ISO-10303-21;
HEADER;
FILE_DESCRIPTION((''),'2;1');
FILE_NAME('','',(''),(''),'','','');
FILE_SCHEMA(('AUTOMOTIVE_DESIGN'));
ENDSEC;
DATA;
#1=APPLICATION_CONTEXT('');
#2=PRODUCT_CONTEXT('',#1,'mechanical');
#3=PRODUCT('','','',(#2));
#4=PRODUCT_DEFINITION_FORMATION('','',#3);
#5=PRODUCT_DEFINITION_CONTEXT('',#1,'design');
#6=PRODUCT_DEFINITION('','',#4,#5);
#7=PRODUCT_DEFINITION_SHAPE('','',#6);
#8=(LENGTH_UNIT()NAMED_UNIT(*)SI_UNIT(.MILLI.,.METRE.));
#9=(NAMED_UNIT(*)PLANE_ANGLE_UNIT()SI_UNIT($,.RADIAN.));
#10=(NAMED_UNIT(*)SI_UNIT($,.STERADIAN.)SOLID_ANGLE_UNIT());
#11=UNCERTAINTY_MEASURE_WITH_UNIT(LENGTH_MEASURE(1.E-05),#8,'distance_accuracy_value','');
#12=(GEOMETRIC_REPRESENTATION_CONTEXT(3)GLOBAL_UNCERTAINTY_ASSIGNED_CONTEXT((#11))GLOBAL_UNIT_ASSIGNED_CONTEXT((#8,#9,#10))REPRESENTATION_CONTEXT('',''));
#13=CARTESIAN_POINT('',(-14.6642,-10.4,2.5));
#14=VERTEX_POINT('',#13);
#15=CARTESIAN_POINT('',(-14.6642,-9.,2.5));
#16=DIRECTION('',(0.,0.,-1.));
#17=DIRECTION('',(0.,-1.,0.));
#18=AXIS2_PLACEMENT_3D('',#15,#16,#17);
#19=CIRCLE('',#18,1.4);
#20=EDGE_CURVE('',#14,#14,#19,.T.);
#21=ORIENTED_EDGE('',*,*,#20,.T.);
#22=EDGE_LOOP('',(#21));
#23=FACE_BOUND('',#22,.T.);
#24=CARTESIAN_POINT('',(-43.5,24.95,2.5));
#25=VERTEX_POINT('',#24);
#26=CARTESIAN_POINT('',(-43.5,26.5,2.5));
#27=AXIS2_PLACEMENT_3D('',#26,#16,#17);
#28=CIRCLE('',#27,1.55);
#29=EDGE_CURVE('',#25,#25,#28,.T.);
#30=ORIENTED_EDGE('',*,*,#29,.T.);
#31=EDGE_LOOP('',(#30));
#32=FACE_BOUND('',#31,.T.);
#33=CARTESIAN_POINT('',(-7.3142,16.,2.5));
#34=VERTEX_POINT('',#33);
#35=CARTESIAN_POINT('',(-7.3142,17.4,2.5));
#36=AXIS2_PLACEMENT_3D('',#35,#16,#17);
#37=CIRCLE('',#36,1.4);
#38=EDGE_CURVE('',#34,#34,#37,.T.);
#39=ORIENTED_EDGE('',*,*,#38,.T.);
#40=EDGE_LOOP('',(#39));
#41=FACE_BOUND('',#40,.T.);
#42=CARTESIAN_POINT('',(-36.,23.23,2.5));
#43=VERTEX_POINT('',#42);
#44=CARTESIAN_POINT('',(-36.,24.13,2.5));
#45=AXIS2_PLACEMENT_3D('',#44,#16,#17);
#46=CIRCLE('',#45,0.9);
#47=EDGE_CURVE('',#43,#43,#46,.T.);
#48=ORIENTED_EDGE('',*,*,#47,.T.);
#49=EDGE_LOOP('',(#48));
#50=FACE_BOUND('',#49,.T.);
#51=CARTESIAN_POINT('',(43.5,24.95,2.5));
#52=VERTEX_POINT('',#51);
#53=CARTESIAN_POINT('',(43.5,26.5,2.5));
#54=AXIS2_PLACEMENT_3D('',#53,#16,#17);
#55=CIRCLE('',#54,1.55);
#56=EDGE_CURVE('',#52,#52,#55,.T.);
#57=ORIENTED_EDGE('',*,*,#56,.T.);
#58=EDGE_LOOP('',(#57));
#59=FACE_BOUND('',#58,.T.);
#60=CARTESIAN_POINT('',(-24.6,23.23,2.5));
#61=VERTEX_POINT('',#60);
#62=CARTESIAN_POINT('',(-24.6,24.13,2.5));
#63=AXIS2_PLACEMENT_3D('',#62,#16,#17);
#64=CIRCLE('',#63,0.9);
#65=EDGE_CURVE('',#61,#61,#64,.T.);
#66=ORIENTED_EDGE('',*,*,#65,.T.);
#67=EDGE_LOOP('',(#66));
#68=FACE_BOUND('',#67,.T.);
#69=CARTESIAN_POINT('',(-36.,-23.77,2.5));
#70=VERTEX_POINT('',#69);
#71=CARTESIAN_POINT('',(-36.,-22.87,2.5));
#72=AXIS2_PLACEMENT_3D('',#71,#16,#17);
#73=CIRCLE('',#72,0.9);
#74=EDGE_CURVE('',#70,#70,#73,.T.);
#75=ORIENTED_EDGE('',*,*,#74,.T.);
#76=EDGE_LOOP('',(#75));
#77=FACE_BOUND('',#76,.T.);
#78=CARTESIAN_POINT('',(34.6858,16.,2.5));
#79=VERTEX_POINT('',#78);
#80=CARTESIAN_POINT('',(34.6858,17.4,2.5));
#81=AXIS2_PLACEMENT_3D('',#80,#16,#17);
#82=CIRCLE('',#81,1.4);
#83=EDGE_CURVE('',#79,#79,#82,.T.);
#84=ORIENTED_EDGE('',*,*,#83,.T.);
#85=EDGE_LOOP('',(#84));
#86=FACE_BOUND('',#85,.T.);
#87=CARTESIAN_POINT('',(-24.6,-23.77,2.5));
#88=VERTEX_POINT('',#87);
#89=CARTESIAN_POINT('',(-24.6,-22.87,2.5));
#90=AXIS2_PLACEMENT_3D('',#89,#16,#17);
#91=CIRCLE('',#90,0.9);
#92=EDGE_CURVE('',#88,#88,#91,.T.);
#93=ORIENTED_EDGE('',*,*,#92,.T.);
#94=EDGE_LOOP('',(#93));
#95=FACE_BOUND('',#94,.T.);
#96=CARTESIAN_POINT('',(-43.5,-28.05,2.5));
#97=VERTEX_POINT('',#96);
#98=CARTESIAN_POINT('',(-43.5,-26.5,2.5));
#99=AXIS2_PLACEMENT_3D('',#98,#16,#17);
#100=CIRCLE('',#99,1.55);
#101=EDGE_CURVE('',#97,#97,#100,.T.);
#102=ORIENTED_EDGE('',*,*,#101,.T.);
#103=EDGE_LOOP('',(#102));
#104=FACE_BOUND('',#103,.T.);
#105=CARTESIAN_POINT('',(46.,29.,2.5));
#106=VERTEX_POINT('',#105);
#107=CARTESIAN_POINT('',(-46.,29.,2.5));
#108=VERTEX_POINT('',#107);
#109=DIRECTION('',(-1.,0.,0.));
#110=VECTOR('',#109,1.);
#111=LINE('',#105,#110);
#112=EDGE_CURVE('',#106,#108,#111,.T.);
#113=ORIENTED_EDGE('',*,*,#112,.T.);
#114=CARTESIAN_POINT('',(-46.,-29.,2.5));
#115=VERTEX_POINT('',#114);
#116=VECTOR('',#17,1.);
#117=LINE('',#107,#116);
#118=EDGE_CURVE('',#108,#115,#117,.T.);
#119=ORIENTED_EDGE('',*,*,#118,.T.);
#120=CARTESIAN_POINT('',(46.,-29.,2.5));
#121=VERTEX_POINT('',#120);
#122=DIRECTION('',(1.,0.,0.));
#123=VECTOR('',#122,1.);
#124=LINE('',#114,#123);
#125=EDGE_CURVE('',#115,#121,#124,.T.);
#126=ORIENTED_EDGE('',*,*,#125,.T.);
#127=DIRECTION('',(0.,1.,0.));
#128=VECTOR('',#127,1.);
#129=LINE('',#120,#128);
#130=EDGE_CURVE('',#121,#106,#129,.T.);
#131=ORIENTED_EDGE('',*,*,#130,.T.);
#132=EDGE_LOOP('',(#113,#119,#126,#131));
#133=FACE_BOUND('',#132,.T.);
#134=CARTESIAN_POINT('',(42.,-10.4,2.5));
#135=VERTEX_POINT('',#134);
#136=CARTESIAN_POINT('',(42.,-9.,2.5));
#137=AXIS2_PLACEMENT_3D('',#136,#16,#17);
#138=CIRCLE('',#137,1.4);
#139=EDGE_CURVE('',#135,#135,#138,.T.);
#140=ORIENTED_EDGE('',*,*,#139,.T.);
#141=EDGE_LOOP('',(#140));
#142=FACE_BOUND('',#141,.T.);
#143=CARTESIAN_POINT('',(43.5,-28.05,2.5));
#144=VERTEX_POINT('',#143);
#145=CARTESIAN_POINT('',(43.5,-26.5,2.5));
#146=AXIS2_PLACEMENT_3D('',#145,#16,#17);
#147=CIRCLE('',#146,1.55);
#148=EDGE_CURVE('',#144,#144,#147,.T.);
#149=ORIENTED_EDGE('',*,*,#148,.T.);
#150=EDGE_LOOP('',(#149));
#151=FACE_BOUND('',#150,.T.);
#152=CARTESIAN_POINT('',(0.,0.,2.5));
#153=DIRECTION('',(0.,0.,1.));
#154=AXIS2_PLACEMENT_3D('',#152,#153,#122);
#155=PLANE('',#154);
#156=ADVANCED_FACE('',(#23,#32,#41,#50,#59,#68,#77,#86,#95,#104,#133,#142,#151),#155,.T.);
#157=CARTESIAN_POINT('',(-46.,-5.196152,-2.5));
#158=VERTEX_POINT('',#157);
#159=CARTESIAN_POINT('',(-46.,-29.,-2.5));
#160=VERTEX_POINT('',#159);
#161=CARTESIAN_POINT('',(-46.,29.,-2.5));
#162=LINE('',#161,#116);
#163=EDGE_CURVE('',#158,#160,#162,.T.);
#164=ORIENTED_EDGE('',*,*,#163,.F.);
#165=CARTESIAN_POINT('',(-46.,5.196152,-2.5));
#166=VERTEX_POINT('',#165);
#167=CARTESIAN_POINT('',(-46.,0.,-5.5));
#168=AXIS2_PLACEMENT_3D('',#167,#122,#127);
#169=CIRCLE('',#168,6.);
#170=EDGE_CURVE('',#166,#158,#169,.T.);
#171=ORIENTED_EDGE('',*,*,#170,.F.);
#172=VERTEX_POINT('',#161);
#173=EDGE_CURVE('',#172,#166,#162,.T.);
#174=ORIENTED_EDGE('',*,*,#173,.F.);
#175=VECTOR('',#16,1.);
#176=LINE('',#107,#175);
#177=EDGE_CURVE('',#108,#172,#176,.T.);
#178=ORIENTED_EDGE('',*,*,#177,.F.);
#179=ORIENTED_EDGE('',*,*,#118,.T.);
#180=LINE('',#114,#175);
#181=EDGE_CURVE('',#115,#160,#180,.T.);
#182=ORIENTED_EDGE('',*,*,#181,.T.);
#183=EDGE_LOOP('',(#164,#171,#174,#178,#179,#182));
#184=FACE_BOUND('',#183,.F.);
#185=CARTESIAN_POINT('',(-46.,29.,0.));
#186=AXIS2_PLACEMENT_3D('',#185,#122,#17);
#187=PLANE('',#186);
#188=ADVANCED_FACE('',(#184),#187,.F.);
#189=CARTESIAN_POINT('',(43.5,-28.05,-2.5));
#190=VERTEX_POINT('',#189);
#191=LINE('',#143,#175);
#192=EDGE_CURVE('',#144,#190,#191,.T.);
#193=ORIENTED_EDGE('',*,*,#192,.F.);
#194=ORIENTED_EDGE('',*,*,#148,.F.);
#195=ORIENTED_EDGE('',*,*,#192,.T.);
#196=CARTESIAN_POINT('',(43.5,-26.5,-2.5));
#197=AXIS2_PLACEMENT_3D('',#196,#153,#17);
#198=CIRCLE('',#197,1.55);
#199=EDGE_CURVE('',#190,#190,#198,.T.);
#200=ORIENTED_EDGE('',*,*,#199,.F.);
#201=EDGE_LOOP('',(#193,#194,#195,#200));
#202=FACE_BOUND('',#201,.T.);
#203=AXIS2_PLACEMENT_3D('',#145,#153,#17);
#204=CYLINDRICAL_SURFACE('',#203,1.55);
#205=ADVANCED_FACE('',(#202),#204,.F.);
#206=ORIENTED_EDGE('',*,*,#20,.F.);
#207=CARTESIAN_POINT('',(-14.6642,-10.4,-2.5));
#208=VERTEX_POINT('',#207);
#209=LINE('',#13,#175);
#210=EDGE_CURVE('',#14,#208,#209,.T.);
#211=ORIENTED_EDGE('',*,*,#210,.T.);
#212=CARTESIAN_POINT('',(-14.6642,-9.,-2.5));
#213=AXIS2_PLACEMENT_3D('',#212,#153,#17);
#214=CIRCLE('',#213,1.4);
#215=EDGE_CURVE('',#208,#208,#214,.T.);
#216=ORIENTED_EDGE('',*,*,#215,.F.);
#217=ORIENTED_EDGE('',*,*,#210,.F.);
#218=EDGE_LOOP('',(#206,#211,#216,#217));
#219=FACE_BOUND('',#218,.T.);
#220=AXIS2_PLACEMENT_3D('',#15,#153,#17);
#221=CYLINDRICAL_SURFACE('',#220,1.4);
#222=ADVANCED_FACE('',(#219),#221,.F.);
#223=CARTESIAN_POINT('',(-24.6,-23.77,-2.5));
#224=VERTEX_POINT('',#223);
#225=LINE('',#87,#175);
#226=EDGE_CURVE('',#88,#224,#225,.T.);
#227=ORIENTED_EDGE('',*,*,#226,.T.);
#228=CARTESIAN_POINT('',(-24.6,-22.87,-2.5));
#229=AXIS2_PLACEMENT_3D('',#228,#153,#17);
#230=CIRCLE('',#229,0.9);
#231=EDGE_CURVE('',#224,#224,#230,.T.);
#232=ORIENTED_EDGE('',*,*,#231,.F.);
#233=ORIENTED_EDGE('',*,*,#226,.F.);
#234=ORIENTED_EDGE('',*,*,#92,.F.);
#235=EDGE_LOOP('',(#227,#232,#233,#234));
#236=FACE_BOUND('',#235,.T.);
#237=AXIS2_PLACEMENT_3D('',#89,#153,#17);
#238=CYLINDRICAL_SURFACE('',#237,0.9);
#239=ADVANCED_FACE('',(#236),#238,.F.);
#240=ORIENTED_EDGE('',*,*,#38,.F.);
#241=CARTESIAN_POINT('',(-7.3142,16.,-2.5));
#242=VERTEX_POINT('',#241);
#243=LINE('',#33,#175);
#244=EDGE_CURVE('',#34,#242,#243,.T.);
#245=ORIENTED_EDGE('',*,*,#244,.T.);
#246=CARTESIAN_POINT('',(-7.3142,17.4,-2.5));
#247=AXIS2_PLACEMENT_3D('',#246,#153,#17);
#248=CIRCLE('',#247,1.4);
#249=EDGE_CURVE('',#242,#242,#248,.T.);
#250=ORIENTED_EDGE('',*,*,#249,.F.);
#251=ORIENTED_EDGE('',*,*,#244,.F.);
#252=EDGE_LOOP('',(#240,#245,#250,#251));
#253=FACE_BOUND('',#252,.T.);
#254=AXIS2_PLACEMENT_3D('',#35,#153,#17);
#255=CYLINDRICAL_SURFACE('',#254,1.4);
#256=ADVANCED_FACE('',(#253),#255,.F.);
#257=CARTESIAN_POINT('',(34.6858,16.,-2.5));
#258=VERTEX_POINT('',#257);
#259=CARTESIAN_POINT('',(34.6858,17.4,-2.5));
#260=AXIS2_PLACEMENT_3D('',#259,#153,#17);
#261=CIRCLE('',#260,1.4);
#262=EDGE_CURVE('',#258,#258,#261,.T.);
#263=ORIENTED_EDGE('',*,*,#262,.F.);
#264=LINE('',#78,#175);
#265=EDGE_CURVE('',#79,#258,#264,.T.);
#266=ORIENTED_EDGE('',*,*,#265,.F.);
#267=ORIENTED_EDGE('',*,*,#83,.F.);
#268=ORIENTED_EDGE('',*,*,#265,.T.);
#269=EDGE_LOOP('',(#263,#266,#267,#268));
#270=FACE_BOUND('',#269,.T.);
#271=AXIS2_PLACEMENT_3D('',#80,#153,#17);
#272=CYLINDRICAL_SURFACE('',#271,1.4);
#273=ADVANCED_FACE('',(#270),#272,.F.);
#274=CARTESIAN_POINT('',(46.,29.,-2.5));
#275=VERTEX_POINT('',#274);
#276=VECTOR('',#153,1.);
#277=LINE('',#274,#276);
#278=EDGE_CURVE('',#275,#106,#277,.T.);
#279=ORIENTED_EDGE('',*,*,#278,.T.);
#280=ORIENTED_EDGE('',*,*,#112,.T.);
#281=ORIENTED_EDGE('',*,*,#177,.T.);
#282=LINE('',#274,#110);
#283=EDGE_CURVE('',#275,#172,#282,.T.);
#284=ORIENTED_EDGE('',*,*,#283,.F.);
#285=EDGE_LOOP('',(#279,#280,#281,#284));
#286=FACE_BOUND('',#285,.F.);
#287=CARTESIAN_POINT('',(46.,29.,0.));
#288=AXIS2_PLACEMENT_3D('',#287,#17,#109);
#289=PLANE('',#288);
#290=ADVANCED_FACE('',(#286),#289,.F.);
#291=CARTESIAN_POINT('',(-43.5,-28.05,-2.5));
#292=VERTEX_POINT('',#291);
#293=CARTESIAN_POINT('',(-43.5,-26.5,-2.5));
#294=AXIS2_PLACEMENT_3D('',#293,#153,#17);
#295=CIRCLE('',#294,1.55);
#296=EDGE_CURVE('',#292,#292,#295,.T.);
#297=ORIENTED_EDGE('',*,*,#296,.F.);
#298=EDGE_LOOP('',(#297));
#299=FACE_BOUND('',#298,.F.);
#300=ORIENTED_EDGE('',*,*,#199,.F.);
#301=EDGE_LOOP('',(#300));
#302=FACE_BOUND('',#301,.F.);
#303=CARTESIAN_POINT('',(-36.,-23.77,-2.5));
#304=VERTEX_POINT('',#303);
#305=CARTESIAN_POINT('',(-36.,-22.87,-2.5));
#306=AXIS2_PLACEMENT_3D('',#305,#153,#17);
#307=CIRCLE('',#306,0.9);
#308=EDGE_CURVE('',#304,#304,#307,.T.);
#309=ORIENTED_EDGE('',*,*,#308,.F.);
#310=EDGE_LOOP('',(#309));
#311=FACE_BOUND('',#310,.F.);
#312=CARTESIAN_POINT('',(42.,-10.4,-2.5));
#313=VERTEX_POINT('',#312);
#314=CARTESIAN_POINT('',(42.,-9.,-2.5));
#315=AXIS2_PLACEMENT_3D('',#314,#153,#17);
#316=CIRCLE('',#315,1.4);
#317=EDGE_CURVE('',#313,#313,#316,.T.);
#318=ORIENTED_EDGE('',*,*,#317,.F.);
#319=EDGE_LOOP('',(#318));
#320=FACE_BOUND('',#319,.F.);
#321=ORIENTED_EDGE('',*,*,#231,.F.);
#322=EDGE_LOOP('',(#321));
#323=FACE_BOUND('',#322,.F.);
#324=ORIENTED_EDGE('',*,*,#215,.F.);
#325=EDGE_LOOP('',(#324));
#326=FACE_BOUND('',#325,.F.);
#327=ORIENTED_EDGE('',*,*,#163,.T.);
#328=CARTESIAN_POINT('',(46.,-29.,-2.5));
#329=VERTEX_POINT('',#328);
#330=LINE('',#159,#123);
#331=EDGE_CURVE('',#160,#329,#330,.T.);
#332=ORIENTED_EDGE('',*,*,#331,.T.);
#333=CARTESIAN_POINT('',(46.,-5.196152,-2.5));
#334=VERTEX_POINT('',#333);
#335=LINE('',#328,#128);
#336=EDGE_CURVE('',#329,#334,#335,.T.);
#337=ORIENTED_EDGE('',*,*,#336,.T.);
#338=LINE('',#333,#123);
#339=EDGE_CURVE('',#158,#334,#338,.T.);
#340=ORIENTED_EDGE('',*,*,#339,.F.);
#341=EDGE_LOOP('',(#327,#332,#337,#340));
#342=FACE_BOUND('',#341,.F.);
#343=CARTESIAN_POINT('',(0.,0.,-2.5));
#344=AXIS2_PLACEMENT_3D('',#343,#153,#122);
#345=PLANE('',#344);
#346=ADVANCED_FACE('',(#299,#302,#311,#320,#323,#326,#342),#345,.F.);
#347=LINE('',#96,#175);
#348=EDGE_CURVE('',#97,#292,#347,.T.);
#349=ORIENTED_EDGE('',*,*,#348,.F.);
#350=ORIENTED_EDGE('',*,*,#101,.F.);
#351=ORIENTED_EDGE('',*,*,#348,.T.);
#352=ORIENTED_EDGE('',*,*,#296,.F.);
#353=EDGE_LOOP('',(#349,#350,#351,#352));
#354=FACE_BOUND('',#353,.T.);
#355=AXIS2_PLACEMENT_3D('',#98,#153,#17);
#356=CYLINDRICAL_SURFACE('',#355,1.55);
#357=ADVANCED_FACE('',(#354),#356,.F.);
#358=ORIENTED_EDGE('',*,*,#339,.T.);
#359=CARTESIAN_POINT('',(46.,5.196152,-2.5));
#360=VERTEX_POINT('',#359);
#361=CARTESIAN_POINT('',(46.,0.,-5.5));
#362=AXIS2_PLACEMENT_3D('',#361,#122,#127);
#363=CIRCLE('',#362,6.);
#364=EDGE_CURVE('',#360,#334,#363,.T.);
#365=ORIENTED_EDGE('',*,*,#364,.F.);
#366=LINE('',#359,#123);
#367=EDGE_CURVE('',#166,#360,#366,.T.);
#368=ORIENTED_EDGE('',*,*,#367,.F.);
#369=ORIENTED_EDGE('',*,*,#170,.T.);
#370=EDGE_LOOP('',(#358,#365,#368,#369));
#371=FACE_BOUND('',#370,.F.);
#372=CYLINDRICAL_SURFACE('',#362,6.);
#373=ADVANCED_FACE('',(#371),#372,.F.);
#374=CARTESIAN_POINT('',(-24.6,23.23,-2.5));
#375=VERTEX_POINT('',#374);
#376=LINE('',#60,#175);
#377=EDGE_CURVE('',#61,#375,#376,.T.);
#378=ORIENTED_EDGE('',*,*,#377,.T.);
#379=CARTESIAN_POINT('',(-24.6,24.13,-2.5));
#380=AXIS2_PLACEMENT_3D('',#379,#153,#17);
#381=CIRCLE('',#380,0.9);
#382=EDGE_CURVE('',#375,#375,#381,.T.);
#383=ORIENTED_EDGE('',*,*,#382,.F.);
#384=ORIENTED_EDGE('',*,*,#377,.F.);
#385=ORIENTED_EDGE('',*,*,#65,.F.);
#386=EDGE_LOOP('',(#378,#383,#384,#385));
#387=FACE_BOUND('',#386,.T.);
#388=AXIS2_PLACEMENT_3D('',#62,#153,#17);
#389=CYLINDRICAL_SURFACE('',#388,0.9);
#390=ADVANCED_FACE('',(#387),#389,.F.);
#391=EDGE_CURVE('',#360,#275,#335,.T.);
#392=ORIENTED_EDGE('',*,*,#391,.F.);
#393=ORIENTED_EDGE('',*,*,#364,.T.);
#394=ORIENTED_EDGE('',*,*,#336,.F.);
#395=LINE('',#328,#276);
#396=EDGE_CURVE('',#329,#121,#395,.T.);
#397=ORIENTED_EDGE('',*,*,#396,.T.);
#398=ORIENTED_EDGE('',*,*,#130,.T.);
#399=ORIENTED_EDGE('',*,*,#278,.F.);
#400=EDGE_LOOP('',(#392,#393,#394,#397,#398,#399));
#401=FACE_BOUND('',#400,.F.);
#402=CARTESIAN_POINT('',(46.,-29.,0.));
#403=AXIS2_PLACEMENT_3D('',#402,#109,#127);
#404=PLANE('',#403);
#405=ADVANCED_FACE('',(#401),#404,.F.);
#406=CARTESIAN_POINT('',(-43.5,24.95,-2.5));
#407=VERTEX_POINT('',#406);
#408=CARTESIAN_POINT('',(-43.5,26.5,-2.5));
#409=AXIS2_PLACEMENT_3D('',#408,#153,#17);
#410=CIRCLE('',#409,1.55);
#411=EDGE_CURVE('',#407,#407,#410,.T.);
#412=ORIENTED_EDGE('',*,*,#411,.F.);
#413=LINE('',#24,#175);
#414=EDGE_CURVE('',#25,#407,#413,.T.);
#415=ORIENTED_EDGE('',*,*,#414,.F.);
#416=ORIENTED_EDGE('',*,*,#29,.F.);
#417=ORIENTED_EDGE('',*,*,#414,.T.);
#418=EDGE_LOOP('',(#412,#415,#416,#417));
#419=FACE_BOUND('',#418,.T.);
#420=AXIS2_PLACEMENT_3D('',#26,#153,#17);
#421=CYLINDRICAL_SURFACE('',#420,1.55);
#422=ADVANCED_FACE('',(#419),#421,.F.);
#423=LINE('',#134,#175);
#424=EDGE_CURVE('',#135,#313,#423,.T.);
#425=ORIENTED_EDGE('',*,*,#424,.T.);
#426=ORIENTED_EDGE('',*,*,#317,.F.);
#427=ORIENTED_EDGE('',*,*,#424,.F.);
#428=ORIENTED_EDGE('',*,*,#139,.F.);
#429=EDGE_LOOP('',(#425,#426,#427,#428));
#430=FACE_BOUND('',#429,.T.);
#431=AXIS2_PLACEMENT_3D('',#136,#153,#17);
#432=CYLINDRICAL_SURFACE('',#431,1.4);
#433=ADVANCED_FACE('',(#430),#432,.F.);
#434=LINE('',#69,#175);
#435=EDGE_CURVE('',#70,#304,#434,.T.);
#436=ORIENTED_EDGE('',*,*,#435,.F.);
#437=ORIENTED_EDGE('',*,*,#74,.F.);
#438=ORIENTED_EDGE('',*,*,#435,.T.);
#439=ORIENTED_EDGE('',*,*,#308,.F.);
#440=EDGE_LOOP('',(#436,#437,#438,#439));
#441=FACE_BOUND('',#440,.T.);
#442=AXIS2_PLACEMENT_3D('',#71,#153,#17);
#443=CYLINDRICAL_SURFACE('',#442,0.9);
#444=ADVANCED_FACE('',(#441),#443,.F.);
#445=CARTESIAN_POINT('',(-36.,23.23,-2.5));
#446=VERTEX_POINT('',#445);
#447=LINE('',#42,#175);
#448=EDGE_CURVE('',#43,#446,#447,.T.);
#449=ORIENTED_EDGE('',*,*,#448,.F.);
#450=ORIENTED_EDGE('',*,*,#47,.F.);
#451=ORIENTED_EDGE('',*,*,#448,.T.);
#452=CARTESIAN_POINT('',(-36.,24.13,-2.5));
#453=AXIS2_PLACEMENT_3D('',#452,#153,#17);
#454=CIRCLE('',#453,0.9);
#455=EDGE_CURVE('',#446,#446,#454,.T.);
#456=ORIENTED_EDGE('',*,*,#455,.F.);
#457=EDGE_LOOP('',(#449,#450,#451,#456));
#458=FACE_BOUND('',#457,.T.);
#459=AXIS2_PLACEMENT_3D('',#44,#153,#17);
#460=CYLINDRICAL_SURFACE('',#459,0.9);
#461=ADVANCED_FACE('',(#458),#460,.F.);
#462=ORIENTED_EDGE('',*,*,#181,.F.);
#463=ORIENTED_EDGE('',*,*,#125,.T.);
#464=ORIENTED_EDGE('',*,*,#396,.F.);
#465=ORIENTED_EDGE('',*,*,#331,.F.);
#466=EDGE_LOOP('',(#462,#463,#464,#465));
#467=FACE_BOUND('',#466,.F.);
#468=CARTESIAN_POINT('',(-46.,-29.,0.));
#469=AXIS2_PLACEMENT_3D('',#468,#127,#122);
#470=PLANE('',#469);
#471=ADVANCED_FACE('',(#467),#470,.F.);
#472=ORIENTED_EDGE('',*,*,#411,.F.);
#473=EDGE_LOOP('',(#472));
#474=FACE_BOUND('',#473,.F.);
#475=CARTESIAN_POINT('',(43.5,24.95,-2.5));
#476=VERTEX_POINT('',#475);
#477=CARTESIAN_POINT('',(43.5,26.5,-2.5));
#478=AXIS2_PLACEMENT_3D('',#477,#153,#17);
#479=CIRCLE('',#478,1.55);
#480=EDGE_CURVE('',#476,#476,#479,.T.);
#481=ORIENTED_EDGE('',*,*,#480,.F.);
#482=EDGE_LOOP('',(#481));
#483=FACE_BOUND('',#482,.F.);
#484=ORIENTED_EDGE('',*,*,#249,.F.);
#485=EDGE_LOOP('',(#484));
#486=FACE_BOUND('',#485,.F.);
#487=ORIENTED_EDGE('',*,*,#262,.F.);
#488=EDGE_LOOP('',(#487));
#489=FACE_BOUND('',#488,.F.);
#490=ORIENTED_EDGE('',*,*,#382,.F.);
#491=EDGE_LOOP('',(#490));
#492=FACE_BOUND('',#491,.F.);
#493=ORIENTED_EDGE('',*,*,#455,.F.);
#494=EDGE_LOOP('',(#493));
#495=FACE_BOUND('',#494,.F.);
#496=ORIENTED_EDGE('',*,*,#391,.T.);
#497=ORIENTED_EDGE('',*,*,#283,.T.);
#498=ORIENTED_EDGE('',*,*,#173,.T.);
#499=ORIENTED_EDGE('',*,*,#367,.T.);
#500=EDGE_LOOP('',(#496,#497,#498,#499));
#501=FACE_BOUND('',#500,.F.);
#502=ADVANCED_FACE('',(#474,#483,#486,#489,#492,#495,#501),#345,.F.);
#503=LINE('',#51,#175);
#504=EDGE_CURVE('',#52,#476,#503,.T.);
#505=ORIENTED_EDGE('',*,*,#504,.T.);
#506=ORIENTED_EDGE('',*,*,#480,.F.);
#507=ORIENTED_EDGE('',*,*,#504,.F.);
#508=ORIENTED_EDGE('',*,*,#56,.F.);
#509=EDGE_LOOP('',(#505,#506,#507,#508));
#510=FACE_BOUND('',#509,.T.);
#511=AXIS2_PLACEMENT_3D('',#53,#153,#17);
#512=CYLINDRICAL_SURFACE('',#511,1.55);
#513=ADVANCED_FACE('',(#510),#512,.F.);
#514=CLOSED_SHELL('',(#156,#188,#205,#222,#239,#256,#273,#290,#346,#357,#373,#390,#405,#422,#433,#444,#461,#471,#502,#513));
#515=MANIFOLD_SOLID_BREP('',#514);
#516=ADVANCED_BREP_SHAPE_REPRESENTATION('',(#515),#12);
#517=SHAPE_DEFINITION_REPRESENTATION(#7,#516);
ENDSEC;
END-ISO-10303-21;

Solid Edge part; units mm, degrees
sketch "Sketch1" plane through (0, 0, 0) normal (0, 0, 1) x (1, 0, 0)
  line L0 (-46, -29) -> (46, -29)
  line L1 (46, -29) -> (46, 29)
  line L2 (46, 29) -> (-46, 29)
  line L3 (-46, 29) -> (-46, -29)
  dimension "D1" = 92
  dimension "D2" = 58
extrude "Ajout_matière_1" add sketch "Sketch1" along normal mid plane 5
sketch "Sketch2" plane through (46, 0, 0) normal (1, 0, 0) x (0, 1, 0)
  circle A0 centre (0, -5.5) radius 6
  dimension "D1" = 12
  dimension "D2" = 3
extrude "Cutout1" cut sketch "Sketch2" against normal through all
hole "Perçage_1" at (-43.5, 26.5, 2.5) direction (0, 0, -1) diameter 3.1 end up to next
hole "Hole1" at (43.5, 26.5, 2.5) direction (0, 0, -1) diameter 3.1 end up to next
hole "Hole2" at (43.5, -26.5, 2.5) direction (0, 0, -1) diameter 3.1 end up to next
hole "Hole3" at (-43.5, -26.5, 2.5) direction (0, 0, -1) diameter 3.1 end up to next
hole "Hole4" at (-36, -22.87, 2.5) direction (0, 0, -1) diameter 1.8 end up to next
hole "Hole5" at (-36, 24.13, 2.5) direction (0, 0, -1) diameter 1.8 end up to next
hole "Hole6" at (-24.6, 24.13, 2.5) direction (0, 0, -1) diameter 1.8 end up to next
hole "Hole7" at (-24.6, -22.87, 2.5) direction (0, 0, -1) diameter 1.8 end up to next
hole "Perçage_13" at (-14.6642, -9, 2.5) direction (0, 0, -1) diameter 2.8 end up to next
hole "Hole8" at (34.6858, 17.4, 2.5) direction (0, 0, -1) diameter 2.8 end up to next
hole "Hole9" at (-7.3142, 17.4, 2.5) direction (0, 0, -1) diameter 2.8 end up to next
hole "Hole10" at (42, -9, 2.5) direction (0, 0, -1) diameter 2.8 end up to next
properties material "Plastique ABS, performance moyenne"
